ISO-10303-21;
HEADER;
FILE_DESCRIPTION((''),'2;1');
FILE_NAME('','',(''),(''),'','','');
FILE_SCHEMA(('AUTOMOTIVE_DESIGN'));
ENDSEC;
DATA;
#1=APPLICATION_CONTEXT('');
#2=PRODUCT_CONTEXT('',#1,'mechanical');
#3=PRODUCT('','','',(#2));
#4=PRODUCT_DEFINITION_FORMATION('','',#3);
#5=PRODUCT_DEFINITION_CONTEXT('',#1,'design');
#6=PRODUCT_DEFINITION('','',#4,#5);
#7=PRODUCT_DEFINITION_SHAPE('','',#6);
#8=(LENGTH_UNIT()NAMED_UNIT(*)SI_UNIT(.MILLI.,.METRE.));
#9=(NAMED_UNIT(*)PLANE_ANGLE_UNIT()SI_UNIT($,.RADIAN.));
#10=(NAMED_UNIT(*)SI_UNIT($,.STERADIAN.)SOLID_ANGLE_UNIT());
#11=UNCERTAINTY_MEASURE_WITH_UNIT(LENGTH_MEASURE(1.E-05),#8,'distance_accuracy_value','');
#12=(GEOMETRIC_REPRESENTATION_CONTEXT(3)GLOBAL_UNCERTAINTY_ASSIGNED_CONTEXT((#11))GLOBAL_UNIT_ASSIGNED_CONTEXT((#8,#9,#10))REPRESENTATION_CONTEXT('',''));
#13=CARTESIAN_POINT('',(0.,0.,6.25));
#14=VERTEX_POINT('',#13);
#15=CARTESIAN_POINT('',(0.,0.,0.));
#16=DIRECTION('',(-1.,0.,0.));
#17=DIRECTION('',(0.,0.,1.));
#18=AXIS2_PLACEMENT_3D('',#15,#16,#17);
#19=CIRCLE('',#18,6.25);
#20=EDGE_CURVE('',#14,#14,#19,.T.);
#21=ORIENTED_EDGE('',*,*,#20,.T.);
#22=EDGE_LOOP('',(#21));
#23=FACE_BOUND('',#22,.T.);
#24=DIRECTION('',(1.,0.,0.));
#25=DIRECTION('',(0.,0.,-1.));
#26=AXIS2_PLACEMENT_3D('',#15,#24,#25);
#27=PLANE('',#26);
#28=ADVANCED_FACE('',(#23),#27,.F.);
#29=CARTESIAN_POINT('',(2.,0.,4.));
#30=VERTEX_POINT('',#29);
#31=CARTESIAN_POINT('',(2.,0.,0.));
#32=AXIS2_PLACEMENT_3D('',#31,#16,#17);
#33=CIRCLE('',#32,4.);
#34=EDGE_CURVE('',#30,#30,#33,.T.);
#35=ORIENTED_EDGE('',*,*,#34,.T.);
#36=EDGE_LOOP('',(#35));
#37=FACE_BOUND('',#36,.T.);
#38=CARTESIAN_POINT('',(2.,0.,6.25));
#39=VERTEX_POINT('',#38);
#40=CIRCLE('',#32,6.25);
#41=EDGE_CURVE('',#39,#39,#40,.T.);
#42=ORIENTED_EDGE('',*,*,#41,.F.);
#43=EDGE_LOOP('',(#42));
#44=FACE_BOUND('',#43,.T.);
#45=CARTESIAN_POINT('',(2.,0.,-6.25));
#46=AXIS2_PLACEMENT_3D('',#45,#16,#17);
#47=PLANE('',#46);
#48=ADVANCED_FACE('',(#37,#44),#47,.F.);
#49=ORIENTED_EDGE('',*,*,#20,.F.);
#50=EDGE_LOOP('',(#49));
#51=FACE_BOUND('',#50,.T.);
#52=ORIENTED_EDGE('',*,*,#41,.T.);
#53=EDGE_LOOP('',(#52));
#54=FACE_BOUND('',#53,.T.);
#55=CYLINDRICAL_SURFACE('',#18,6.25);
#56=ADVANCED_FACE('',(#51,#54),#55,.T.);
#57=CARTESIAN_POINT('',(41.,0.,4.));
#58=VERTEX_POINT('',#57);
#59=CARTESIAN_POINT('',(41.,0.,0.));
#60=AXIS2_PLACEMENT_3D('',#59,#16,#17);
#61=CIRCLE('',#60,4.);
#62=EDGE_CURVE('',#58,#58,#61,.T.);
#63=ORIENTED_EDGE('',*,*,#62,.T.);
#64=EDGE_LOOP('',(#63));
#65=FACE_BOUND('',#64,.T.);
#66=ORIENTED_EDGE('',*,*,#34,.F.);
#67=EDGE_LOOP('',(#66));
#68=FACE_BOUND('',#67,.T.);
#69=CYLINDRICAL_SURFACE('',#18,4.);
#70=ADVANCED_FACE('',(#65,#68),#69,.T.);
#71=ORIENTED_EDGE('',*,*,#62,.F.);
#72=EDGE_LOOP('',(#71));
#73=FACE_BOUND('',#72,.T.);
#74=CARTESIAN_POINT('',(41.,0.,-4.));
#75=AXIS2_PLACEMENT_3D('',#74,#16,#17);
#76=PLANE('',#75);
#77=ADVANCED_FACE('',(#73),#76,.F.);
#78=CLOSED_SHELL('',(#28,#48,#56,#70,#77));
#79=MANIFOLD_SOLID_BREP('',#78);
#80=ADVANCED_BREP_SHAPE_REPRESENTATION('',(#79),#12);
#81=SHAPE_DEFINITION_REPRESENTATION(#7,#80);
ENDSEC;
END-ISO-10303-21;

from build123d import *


with BuildPart() as part:
    # ｽｹｯﾁ1 → 回転1 (revolve)
    with BuildSketch(Plane(origin=(0, 0, 0), x_dir=(1, 0, 0), z_dir=(0, 1, 0)), mode=Mode.PRIVATE) as revolve_1_sk:
        Polygon((0, 0), (0, 6.25), (2, 6.25), (2, 4), (41, 4), (41, 0), align=None)
    revolve(revolve_1_sk.sketch.rotate(Axis((0, 0, 0), (1, 0, 0)), 180), axis=Axis((0, 0, 0), (1, 0, 0)))


solid = part.part
